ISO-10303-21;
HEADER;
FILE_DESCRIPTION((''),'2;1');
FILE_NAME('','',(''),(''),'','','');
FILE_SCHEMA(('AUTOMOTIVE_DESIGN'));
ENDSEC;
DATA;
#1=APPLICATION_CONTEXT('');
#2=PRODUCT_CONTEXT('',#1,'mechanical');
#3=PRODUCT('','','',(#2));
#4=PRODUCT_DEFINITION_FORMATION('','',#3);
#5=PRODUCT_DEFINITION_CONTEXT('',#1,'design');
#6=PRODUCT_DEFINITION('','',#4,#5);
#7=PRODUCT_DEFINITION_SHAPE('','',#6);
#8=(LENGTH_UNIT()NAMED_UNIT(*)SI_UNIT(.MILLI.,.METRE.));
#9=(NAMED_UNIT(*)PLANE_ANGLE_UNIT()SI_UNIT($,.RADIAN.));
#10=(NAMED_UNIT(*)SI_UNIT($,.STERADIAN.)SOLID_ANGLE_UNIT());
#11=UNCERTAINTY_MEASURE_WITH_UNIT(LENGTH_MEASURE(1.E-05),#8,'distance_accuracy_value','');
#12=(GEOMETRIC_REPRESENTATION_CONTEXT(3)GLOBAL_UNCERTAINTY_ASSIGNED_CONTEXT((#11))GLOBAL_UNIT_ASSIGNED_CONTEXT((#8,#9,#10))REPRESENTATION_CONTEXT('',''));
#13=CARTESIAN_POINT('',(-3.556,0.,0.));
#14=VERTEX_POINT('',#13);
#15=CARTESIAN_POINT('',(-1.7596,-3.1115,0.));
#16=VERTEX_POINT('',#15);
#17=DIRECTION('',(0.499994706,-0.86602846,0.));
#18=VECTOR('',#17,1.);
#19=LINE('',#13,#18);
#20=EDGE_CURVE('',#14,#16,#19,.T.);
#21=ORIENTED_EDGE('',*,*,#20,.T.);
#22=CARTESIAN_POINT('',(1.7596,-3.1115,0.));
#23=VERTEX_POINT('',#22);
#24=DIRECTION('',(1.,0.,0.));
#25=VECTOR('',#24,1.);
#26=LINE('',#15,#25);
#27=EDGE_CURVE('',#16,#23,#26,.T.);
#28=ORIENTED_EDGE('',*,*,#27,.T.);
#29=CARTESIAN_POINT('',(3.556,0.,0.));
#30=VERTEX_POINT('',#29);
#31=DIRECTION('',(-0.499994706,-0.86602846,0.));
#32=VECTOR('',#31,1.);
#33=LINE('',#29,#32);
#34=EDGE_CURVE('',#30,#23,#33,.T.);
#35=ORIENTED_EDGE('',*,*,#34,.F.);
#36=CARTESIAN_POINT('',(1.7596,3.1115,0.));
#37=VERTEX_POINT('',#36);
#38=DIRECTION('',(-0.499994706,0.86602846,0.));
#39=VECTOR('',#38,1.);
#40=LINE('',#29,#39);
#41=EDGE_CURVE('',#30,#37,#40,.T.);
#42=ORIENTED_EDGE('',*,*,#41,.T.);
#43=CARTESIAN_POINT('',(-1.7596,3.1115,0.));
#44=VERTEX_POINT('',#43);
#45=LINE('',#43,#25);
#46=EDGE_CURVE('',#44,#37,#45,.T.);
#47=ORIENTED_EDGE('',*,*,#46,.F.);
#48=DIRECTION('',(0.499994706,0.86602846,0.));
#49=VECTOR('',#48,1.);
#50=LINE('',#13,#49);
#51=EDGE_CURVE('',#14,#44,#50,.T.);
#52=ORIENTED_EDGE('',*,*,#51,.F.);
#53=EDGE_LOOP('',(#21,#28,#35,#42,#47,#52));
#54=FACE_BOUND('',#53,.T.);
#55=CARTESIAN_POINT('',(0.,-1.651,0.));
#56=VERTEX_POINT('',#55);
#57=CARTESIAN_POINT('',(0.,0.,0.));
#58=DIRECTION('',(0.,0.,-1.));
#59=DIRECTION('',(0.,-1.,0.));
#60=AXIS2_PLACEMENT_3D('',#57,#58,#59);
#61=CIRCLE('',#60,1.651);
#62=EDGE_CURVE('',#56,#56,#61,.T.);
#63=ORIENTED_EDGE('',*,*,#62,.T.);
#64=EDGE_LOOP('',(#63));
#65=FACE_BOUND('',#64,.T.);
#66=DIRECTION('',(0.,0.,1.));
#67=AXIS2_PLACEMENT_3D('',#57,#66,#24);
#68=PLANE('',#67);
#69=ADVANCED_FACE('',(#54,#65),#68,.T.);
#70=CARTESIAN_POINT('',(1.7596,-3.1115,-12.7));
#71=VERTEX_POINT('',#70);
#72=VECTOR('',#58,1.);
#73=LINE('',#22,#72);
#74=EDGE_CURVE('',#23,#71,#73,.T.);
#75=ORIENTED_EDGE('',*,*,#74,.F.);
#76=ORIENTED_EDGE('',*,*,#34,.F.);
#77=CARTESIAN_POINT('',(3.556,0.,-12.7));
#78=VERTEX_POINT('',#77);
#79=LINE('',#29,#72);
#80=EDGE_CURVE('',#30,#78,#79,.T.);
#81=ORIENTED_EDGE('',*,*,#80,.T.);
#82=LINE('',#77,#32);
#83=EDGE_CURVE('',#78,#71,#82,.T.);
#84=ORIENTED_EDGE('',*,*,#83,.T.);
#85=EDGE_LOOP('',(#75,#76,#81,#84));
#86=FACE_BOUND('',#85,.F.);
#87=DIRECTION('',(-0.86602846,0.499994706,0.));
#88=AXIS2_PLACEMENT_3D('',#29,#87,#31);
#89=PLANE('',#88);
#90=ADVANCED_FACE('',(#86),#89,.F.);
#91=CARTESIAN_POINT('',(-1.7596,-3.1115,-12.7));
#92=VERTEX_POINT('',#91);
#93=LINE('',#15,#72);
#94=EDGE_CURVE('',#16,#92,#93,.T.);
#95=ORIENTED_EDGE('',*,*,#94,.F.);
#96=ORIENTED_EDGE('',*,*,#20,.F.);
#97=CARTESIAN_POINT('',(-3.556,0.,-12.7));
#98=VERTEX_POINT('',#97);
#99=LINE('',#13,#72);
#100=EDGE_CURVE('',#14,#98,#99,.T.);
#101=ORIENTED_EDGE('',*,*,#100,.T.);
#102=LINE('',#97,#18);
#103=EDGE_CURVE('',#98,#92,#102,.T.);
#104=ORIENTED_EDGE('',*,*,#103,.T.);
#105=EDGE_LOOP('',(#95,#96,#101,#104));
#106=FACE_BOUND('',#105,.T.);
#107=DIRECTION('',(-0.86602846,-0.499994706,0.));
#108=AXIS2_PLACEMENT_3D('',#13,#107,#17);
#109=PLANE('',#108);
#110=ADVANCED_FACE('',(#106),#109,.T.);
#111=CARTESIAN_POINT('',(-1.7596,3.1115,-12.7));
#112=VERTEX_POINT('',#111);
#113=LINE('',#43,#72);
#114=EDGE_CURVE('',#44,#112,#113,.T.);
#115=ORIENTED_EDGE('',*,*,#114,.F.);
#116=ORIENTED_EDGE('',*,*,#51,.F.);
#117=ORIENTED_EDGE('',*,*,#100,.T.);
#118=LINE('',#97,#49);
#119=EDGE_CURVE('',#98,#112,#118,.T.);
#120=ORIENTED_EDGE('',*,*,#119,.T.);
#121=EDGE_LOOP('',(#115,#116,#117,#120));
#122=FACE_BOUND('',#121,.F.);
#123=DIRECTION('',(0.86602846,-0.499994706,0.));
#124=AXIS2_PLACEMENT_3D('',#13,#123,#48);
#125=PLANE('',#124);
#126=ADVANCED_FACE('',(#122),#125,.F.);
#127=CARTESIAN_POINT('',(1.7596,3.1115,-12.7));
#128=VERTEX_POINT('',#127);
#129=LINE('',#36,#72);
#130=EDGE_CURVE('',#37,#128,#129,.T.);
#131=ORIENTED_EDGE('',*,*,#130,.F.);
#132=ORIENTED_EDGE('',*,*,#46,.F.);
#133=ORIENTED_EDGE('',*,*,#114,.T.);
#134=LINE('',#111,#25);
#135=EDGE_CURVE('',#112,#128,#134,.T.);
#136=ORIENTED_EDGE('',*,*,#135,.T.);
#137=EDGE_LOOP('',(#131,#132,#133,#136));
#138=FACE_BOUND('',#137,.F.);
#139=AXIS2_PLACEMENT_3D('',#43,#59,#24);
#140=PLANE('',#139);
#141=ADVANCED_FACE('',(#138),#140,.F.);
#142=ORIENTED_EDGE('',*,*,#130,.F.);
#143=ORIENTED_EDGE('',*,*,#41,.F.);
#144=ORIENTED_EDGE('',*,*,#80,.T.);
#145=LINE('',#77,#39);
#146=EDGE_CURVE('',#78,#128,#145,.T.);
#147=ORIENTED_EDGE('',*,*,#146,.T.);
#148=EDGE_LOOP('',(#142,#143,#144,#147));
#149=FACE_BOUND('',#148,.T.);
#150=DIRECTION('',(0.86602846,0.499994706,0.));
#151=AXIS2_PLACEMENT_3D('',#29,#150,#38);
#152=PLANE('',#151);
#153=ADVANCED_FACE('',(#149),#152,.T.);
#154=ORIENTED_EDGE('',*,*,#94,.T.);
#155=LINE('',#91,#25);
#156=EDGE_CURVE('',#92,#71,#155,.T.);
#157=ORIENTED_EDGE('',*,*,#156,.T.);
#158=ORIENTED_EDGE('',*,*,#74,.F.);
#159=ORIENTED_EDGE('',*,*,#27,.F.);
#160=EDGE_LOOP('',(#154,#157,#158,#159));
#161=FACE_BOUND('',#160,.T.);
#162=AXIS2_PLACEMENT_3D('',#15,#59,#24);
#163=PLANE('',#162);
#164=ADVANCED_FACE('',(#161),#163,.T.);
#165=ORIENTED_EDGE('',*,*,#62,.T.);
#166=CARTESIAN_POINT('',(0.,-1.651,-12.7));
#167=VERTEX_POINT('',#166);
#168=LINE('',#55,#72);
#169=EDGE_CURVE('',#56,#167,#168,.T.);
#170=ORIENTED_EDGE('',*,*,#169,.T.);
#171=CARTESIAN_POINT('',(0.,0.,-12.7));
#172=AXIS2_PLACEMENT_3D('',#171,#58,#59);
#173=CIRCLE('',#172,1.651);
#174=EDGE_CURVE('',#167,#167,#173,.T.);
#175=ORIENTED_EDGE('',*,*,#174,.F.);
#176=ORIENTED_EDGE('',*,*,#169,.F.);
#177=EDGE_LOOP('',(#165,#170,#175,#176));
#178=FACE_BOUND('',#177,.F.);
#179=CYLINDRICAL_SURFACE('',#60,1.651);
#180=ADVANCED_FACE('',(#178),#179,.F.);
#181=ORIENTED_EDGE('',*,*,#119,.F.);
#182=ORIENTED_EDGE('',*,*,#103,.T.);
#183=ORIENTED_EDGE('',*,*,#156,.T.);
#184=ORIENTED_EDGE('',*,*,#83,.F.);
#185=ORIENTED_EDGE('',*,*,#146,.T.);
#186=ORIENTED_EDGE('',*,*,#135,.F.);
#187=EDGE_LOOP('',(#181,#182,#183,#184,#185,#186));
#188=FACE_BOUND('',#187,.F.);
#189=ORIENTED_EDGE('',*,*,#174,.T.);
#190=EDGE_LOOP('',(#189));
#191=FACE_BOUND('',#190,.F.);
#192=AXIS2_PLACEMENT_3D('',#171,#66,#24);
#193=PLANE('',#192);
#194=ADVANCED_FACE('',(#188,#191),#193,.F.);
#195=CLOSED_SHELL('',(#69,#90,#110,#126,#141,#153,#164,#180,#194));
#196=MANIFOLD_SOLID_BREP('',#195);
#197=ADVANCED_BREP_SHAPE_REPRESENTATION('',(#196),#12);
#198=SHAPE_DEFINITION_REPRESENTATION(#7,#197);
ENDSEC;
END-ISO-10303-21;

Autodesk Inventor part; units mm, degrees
ref_plane "YZ Plane" through (0, 0, 0) normal (1, 0, 0) x (0, 1, 0)
ref_plane "XZ Plane" through (0, 0, 0) normal (0, 1, 0) x (-1, 0, 0)
sketch "Sketch1" plane through (0, 0, 0) normal (0, 0, 1) x (1, 0, 0)
  line L0 (-3.556, 0) -> (3.556, 0) construction
  line L1 (0, 3.1115) -> (0, -3.1115) construction
  line L2 (3.556, 0) -> (1.7596, 3.1115)
  line L3 (3.556, 0) -> (6.0601, 0) construction
  line L4 (-1.7596, -3.1115) -> (1.7596, -3.1115)
  line L5 (-3.556, 0) -> (-1.7596, 3.1115)
  line L6 (-3.556, 0) -> (-1.016, 0) construction
  line L7 (-3.556, 0) -> (-1.7596, -3.1115)
  line L8 (3.556, 0) -> (1.7596, -3.1115)
  line L9 (3.556, 0) -> (6.096, 0) construction
  line L10 (-1.7596, 3.1115) -> (1.7596, 3.1115)
  point P0 (0, 0)
  point P1 (0, 0)
  dimension "d0" = 7.112
  dimension "d2" = 6.223
  dimension "d4" = 120
  dimension "d7" = 60
  dimension "d9" = 120
  dimension "d10" = 2.5041
  dimension "d11" = 2.54
  dimension "d12" = 2.54
extrude "Extrusion1" add sketch "Sketch1" against normal blind 12.7
ref_plane "Work Plane1" through (0, 0, 0) normal (0, 0, 1) x (1, 0, 0)
hole "Hole1" at (0, 0, 0) direction (0, 0, -1) diameter 3.302 end through all thread size "8-32 UNC" class "2B" standard "ANSI Unified Screw Threads"
properties part number "#8 .5 Hex Standoff"
